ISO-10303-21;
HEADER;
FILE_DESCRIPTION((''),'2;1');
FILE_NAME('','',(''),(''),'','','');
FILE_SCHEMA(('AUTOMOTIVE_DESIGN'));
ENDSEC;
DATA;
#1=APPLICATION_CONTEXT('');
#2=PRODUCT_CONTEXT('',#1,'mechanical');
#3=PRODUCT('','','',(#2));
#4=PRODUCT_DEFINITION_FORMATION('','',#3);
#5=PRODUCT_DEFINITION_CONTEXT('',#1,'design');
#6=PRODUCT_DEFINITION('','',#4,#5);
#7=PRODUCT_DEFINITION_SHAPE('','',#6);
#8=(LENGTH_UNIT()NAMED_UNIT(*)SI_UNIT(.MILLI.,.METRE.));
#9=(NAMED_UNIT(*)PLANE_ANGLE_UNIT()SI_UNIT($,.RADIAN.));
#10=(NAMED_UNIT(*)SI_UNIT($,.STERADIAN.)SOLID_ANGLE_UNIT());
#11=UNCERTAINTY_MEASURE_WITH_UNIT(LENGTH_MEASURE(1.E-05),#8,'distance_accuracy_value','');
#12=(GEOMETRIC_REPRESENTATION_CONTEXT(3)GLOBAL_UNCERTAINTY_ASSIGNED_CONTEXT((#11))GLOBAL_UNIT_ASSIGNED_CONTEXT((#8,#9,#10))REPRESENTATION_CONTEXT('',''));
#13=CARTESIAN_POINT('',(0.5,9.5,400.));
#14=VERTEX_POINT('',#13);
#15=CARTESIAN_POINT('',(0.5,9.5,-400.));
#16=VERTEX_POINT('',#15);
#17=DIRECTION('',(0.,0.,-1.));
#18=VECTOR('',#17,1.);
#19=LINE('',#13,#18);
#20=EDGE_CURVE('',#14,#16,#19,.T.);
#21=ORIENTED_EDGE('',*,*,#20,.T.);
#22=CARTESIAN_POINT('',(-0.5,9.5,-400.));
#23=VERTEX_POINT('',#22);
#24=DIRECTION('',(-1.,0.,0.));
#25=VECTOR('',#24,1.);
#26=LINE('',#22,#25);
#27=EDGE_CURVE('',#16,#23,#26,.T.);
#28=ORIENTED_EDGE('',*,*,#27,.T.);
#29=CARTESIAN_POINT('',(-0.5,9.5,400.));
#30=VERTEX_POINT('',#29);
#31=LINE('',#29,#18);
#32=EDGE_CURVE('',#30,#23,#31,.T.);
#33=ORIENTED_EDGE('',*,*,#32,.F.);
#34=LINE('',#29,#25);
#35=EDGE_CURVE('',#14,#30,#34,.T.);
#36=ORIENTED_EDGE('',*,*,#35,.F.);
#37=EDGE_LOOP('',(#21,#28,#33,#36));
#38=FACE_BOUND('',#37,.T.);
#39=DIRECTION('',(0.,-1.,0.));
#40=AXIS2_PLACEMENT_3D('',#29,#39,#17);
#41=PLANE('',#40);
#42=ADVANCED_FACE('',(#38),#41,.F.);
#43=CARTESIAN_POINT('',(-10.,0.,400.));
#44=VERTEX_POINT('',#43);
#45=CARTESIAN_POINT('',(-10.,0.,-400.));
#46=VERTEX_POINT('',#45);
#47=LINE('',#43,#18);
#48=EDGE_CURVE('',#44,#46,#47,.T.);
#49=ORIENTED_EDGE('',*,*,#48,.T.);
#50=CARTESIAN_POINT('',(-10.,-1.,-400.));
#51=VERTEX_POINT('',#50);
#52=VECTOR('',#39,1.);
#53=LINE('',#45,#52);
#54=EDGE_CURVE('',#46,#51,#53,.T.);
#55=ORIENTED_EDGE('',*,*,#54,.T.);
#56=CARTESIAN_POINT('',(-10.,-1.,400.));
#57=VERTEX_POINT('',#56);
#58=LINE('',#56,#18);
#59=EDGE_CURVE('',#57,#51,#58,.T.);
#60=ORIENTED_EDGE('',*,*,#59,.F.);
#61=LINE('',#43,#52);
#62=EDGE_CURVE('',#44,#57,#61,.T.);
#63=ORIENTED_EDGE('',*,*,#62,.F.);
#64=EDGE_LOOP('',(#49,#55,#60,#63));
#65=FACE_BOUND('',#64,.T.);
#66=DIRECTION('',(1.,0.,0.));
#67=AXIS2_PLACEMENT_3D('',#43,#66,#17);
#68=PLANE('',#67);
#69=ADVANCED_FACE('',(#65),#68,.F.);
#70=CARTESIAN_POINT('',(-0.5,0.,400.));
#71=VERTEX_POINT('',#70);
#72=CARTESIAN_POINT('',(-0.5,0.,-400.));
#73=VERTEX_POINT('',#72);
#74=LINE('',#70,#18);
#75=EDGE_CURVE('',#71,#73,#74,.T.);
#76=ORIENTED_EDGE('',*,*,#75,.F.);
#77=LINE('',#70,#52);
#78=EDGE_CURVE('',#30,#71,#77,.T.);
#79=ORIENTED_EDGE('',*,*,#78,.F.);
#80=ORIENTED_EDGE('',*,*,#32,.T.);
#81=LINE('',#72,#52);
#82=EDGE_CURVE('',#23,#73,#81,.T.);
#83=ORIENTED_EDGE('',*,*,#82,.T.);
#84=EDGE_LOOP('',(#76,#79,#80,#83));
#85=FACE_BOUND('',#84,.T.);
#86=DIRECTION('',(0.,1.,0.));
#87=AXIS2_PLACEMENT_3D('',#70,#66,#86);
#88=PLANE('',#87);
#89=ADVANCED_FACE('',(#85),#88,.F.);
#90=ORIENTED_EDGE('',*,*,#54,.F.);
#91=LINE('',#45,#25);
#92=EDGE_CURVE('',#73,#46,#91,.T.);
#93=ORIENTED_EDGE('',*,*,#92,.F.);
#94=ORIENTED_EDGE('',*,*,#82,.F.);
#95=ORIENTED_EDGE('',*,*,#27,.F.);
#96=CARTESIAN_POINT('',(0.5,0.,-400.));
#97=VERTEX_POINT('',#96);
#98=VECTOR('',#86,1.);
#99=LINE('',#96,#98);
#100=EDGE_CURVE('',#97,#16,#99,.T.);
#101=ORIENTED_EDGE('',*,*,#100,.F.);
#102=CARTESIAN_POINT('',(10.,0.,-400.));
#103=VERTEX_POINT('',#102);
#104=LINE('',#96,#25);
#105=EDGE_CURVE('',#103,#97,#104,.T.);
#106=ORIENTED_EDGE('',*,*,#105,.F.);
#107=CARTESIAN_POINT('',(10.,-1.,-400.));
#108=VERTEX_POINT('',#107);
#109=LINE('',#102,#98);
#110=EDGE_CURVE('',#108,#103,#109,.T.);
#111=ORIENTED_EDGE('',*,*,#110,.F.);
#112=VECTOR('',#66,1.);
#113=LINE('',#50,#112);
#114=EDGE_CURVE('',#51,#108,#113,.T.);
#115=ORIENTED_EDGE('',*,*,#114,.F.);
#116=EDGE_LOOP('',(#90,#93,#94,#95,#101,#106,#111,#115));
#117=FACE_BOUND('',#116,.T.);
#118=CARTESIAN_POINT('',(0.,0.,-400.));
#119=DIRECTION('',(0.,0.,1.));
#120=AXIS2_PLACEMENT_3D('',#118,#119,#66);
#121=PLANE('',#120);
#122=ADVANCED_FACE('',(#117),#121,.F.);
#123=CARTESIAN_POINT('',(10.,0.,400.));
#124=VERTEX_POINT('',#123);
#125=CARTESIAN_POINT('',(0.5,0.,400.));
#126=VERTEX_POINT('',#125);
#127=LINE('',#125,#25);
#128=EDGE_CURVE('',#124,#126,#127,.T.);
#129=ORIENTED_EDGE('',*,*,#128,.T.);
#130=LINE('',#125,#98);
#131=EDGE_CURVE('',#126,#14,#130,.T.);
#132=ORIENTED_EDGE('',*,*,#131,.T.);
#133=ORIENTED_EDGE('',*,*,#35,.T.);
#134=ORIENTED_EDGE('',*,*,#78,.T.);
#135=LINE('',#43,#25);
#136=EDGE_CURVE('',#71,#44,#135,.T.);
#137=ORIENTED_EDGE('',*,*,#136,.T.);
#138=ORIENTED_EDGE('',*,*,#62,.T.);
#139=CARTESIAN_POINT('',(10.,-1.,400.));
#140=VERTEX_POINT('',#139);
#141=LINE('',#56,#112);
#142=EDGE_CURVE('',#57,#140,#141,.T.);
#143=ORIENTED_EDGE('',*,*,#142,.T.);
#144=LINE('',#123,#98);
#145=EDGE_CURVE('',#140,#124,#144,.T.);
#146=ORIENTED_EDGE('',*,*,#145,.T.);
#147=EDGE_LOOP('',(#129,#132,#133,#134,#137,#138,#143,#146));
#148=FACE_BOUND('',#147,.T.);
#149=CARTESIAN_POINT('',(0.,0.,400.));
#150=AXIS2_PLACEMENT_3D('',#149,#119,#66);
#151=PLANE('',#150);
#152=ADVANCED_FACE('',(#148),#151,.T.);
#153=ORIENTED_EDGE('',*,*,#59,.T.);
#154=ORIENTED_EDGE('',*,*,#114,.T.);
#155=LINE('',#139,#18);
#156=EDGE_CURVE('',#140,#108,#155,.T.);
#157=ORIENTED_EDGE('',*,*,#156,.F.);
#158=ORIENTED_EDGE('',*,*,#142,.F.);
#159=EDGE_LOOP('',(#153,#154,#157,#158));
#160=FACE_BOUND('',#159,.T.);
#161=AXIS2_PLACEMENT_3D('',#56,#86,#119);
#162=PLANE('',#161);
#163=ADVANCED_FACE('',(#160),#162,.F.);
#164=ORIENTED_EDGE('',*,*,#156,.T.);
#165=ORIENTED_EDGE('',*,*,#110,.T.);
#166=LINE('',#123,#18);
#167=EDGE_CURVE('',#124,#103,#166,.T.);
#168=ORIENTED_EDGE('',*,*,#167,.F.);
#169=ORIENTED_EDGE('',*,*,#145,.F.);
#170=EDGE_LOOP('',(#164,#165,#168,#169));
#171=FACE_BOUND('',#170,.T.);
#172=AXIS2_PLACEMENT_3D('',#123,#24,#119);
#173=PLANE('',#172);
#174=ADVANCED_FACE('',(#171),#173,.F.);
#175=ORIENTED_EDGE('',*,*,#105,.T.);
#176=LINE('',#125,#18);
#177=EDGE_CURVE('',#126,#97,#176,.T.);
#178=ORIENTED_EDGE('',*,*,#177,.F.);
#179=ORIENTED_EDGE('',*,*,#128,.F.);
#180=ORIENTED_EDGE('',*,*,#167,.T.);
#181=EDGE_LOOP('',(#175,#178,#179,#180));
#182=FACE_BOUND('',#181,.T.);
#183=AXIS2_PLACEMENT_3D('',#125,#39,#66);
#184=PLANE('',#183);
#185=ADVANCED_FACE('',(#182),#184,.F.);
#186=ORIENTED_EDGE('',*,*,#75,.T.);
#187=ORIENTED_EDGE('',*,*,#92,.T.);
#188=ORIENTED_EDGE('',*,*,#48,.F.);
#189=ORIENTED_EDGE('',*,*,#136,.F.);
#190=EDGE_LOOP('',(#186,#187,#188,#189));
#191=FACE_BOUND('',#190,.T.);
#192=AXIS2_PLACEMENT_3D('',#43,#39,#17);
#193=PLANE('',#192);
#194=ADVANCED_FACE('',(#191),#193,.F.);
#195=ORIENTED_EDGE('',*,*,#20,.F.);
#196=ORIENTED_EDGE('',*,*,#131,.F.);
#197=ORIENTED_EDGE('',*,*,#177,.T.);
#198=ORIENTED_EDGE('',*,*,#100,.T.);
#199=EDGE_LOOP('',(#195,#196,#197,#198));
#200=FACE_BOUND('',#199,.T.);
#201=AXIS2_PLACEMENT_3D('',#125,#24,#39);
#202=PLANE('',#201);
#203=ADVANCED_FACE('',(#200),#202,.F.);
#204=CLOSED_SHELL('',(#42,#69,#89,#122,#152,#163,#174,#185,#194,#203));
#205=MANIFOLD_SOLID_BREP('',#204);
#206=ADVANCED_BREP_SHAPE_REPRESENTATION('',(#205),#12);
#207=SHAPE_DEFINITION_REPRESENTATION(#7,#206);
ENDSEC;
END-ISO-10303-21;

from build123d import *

# Parameters (mm, degrees)
SALIENTE_EXTRUIR1_DEPTH = 400


with BuildPart() as part:
    # Croquis1 → Saliente-Extruir1 (new body, symmetric)
    with BuildSketch(Plane.XY):
        Polygon((-10, 0), (-0.5, 0), (-0.5, 9.5), (0.5, 9.5), (0.5, 0), (10, 0), (10, -1), (-10, -1), align=None)
    extrude(amount=SALIENTE_EXTRUIR1_DEPTH, both=True)


solid = part.part
